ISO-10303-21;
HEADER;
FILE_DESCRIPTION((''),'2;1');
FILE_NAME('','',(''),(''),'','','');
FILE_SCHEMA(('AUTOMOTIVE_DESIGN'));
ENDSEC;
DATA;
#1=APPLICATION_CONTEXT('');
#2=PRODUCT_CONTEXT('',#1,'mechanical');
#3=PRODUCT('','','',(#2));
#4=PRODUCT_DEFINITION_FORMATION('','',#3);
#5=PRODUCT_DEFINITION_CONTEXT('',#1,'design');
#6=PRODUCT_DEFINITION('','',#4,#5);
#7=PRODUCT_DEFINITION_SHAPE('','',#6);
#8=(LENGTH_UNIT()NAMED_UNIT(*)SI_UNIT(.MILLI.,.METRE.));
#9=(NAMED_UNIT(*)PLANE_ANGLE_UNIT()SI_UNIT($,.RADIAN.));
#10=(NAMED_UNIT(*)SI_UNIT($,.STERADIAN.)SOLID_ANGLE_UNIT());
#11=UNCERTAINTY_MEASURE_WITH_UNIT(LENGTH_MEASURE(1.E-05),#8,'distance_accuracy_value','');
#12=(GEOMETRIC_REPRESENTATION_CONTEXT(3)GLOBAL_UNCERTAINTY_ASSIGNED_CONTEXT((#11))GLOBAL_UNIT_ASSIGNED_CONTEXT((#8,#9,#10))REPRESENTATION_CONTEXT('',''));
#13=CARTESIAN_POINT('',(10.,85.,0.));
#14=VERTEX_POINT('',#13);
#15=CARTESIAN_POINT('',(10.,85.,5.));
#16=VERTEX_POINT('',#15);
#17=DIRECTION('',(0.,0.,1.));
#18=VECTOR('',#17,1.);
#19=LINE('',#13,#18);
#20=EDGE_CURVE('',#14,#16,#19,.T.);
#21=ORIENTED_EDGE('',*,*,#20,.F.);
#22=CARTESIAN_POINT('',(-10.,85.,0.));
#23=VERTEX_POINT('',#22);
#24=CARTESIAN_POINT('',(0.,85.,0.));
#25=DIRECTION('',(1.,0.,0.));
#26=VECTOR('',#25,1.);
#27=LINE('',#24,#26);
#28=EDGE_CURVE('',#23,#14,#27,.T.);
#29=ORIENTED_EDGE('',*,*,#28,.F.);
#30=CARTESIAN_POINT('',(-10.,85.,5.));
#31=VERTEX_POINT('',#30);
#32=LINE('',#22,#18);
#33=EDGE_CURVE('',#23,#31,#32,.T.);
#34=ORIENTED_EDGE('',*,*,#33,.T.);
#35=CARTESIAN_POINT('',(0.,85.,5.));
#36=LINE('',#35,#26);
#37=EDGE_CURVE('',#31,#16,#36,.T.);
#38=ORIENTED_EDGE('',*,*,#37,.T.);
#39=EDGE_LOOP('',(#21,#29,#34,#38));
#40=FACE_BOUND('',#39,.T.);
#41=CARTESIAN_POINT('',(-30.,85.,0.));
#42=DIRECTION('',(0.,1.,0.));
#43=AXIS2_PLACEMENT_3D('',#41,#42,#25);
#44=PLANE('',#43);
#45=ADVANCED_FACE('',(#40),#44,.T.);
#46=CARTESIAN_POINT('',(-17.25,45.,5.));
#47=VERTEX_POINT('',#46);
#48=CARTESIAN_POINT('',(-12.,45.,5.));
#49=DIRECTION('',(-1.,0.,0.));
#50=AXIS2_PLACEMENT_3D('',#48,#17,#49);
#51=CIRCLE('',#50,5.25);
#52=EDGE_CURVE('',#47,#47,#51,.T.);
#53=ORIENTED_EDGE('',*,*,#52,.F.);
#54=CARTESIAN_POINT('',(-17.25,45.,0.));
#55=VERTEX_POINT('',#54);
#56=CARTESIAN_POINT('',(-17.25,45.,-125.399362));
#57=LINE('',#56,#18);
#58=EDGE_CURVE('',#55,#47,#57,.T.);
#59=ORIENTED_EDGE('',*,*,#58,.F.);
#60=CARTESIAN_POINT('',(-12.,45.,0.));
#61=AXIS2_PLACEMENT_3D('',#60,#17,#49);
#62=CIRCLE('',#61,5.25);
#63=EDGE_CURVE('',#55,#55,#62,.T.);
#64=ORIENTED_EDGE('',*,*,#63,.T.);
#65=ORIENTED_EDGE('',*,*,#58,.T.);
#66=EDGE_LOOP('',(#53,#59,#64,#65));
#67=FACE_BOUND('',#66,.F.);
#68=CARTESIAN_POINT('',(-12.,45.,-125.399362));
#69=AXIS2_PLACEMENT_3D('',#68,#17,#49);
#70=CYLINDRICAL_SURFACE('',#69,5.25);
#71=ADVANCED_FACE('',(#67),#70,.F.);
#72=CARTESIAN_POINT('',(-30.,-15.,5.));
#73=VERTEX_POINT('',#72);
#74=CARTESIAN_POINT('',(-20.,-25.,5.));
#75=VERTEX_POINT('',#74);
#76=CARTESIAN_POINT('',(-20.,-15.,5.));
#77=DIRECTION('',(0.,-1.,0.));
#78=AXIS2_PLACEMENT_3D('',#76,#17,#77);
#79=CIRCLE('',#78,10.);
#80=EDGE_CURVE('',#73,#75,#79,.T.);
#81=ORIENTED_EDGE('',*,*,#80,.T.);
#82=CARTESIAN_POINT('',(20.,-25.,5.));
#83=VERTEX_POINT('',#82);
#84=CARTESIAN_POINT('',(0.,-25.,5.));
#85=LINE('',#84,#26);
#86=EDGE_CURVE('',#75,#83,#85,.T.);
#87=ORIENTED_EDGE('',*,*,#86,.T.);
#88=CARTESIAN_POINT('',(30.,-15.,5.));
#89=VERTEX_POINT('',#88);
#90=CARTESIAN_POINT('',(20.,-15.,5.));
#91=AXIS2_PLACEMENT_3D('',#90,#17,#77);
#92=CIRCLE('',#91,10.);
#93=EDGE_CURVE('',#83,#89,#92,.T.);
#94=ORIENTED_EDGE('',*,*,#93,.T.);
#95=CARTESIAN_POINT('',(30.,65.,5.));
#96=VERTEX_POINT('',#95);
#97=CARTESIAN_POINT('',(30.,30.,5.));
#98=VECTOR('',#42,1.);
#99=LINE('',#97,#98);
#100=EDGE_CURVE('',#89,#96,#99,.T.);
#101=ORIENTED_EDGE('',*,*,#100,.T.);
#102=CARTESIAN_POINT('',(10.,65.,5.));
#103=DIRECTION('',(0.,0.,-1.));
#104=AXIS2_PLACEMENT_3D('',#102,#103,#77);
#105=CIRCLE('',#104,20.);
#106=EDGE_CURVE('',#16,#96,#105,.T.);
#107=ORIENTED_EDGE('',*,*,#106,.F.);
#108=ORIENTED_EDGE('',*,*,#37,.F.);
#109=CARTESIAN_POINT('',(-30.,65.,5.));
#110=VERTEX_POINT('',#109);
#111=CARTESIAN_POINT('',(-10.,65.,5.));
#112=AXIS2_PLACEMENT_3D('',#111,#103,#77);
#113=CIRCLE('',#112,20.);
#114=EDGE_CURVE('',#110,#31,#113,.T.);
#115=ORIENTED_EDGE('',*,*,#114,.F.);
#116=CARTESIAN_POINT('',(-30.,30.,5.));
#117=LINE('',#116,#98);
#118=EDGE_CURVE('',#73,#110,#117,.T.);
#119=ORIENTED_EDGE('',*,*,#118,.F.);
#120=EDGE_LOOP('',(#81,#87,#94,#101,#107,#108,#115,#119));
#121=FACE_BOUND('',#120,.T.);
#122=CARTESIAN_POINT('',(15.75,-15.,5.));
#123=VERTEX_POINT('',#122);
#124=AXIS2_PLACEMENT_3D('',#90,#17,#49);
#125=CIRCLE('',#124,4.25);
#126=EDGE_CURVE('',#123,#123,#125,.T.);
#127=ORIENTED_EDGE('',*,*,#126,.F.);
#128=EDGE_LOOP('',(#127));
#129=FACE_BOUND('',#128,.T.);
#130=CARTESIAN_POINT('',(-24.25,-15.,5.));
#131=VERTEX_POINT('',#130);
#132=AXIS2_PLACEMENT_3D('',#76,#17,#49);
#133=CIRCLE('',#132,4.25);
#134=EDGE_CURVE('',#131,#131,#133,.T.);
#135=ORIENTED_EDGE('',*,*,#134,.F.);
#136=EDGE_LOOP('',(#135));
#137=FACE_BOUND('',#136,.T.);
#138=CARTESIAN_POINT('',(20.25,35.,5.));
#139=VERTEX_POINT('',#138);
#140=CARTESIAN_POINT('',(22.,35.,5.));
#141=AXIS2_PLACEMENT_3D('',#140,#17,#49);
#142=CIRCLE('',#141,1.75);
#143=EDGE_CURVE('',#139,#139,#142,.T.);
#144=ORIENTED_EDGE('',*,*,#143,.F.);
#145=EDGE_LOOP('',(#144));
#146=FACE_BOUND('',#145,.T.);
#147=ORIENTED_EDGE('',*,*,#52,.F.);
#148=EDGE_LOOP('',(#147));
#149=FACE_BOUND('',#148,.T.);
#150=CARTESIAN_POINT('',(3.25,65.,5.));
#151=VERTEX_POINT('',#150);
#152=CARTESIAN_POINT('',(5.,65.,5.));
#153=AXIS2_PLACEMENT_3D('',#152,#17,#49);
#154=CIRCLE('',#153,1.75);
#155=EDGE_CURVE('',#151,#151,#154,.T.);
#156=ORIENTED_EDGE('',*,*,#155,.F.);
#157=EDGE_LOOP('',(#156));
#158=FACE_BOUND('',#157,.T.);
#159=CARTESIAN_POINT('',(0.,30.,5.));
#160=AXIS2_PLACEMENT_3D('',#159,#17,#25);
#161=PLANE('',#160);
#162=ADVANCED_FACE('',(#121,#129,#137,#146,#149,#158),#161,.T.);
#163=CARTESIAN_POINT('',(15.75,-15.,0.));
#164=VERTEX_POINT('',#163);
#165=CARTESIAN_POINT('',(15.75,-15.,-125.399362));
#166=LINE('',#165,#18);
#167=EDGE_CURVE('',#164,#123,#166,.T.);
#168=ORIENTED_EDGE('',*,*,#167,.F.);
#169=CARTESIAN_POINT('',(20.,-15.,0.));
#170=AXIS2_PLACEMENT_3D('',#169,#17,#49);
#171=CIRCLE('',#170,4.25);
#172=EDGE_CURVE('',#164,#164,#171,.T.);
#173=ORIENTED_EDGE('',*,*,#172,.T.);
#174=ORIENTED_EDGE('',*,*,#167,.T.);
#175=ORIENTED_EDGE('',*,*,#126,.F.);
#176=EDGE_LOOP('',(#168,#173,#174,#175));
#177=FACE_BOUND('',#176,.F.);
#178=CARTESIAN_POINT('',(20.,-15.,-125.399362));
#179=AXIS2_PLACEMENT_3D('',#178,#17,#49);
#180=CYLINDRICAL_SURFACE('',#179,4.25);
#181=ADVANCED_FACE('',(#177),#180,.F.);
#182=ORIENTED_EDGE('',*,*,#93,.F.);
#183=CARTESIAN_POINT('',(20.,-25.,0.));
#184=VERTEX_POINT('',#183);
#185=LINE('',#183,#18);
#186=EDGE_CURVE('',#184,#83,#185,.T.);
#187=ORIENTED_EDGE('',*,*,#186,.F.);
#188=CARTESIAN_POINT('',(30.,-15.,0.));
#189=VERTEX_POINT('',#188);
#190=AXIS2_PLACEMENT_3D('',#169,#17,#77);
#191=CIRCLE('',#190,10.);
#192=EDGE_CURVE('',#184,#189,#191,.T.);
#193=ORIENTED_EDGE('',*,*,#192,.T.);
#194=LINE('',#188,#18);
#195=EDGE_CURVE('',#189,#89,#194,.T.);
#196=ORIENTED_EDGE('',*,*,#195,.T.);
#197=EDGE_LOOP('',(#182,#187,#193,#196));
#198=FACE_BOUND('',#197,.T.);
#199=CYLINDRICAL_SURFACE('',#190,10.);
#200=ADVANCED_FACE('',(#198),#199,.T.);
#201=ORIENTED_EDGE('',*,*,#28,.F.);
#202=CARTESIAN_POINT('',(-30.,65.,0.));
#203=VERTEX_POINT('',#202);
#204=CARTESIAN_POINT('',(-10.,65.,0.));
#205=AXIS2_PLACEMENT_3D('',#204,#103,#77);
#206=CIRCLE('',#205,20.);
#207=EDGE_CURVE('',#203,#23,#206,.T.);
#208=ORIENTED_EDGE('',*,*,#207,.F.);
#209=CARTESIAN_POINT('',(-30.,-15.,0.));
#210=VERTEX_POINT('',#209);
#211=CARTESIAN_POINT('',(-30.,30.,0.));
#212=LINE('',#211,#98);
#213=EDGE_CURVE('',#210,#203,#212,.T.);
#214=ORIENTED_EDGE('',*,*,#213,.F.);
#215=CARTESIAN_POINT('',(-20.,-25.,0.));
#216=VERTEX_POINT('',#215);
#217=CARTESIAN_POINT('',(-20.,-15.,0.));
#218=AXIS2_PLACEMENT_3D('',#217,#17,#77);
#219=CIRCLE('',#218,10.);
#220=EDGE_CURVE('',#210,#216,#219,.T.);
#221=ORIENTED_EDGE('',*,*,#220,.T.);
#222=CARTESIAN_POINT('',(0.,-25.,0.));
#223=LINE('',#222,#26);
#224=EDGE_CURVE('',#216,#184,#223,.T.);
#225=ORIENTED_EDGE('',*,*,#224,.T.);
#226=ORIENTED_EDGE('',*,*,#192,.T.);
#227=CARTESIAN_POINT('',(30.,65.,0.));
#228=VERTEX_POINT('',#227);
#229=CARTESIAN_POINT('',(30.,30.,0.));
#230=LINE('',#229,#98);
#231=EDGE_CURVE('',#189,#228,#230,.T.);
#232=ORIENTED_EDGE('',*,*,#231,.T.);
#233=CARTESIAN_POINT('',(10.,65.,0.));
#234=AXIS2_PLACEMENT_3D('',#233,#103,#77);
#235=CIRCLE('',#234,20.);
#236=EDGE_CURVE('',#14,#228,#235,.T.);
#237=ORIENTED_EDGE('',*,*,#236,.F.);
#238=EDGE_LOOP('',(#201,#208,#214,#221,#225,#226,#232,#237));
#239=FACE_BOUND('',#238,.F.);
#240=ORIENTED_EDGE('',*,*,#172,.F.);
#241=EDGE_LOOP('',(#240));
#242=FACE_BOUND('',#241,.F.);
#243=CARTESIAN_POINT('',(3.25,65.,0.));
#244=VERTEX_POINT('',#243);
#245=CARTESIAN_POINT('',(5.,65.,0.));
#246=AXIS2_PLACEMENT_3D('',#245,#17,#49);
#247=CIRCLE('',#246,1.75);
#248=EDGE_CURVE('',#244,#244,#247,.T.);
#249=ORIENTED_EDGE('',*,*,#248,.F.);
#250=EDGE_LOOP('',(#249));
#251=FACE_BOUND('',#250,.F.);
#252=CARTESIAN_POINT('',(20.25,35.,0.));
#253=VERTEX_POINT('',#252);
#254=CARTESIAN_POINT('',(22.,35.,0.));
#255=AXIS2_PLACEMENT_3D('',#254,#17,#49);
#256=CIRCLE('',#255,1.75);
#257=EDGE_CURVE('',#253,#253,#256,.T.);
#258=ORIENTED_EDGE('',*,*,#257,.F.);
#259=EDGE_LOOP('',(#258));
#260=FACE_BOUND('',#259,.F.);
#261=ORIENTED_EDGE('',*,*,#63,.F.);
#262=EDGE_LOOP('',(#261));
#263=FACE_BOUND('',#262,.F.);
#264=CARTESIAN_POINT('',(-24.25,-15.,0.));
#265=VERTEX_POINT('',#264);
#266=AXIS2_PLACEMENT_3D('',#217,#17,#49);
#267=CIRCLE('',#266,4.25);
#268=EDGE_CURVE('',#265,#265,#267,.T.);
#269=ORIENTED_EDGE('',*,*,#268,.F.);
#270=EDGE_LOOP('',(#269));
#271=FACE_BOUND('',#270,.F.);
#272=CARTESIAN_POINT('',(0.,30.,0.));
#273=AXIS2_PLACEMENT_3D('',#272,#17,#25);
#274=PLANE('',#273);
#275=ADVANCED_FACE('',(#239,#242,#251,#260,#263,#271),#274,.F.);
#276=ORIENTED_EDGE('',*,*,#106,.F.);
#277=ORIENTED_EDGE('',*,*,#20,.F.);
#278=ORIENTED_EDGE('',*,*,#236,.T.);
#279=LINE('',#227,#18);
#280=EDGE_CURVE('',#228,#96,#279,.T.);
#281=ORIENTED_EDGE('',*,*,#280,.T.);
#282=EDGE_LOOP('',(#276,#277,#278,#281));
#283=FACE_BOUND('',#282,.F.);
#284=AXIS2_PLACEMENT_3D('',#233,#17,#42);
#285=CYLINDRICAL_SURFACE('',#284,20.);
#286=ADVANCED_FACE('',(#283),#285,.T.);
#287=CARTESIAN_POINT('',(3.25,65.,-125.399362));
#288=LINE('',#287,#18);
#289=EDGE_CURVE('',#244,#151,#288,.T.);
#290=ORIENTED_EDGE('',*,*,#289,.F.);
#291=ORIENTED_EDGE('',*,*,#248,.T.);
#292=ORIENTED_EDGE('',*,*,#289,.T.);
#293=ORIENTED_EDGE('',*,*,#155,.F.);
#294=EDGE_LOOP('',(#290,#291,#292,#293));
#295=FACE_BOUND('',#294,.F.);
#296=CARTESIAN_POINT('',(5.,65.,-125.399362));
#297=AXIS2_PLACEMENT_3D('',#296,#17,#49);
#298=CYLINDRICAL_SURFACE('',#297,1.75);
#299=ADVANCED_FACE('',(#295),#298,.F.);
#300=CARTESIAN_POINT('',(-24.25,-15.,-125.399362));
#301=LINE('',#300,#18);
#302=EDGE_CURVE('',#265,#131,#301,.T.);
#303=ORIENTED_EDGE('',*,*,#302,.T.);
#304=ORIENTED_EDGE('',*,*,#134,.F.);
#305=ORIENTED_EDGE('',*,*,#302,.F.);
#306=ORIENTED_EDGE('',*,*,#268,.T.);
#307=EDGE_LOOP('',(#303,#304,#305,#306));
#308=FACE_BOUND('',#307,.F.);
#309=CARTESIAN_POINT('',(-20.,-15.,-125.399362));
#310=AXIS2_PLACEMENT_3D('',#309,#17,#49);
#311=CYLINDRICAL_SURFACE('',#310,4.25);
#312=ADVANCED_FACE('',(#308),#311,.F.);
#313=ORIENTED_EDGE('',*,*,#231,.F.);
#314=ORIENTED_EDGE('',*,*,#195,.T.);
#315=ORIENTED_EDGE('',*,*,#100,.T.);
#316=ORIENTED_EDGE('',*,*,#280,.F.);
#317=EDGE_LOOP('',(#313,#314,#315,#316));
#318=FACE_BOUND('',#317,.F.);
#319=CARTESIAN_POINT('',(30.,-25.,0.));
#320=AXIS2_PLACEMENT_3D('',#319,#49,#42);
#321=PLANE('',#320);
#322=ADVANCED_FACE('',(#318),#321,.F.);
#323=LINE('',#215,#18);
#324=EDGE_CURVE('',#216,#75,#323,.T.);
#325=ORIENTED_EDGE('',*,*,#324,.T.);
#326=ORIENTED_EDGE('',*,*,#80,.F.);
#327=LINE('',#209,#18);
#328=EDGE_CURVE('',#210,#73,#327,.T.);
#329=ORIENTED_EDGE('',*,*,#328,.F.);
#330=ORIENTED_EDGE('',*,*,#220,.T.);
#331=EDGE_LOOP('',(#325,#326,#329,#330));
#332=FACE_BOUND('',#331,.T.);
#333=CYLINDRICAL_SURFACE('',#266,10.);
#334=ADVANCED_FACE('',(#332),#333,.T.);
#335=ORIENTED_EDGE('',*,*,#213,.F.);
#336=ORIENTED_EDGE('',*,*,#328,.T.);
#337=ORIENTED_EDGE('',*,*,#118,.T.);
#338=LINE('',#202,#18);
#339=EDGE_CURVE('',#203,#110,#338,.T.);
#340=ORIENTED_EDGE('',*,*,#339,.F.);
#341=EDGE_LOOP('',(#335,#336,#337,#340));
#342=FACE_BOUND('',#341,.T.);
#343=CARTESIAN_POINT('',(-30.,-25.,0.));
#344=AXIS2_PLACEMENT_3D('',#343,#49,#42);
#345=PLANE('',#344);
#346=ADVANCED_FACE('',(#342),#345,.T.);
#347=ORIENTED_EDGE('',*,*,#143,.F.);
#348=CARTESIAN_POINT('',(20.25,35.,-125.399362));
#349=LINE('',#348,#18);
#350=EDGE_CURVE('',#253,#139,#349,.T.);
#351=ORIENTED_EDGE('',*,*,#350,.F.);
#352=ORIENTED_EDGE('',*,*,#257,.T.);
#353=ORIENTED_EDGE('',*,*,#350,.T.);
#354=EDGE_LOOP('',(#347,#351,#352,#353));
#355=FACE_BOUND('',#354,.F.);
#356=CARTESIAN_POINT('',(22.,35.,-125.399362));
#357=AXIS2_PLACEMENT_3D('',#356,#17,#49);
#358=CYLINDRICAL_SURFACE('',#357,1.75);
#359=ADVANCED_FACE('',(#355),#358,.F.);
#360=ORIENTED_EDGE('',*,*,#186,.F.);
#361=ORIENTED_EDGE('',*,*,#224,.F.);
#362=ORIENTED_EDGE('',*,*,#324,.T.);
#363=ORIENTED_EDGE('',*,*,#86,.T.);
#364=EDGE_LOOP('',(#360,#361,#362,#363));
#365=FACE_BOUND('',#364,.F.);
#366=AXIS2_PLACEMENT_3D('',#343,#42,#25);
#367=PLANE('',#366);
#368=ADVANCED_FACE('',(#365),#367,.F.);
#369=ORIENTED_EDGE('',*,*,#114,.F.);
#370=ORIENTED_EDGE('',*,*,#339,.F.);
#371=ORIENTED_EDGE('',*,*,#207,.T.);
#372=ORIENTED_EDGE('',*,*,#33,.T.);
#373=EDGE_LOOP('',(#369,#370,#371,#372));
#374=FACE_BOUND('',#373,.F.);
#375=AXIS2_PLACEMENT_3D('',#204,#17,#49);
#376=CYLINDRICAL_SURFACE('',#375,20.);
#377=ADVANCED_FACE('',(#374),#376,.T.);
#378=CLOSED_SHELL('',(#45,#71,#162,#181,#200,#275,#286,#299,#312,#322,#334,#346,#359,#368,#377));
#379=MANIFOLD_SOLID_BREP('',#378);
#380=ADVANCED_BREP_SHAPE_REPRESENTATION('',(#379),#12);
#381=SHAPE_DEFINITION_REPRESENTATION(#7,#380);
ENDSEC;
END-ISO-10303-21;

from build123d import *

# Parameters (mm, degrees)
F0_W     = 60
F0_H     = 110
F1_DEPTH = 5
F2_D     = 8.5
F3_D     = 10.5
F4_D     = 3.5
F5_R     = 10
F6_R     = 20


with BuildPart() as f1:
    # F0 (on Top) → F1 (new body)
    with BuildSketch(Plane.XY):
        with Locations((0, 30)):
            Rectangle(F0_W, F0_H)
    extrude(amount=F1_DEPTH)

    # F2 (through all)
    with Locations(Plane(origin=(0, 0, 0), x_dir=(1, 0, 0), z_dir=(0, 0, -1))):
        with Locations((-20, 15), (20, 15)):
            Hole(F2_D / 2)

    # F3 (through all)
    with Locations(Plane(origin=(0, 0, 0), x_dir=(1, 0, 0), z_dir=(0, 0, -1))):
        with Locations((-12, -45)):
            Hole(F3_D / 2)

    # F4 (through all)
    with Locations(Plane(origin=(0, 0, 0), x_dir=(1, 0, 0), z_dir=(0, 0, -1))):
        with Locations((5, -65), (22, -35)):
            Hole(F4_D / 2)

    # F5
    f5_edges = [f1.edges().sort_by_distance(p)[0] for p in [
        (-30, -25, 2.5),
        (30, -25, 2.5),
    ]]
    fillet(f5_edges, radius=F5_R)

    # F6
    f6_edges = [f1.edges().sort_by_distance(p)[0] for p in [
        (-30, 85, 2.5),
        (30, 85, 2.5),
    ]]
    fillet(f6_edges, radius=F6_R)


solid = f1.part
